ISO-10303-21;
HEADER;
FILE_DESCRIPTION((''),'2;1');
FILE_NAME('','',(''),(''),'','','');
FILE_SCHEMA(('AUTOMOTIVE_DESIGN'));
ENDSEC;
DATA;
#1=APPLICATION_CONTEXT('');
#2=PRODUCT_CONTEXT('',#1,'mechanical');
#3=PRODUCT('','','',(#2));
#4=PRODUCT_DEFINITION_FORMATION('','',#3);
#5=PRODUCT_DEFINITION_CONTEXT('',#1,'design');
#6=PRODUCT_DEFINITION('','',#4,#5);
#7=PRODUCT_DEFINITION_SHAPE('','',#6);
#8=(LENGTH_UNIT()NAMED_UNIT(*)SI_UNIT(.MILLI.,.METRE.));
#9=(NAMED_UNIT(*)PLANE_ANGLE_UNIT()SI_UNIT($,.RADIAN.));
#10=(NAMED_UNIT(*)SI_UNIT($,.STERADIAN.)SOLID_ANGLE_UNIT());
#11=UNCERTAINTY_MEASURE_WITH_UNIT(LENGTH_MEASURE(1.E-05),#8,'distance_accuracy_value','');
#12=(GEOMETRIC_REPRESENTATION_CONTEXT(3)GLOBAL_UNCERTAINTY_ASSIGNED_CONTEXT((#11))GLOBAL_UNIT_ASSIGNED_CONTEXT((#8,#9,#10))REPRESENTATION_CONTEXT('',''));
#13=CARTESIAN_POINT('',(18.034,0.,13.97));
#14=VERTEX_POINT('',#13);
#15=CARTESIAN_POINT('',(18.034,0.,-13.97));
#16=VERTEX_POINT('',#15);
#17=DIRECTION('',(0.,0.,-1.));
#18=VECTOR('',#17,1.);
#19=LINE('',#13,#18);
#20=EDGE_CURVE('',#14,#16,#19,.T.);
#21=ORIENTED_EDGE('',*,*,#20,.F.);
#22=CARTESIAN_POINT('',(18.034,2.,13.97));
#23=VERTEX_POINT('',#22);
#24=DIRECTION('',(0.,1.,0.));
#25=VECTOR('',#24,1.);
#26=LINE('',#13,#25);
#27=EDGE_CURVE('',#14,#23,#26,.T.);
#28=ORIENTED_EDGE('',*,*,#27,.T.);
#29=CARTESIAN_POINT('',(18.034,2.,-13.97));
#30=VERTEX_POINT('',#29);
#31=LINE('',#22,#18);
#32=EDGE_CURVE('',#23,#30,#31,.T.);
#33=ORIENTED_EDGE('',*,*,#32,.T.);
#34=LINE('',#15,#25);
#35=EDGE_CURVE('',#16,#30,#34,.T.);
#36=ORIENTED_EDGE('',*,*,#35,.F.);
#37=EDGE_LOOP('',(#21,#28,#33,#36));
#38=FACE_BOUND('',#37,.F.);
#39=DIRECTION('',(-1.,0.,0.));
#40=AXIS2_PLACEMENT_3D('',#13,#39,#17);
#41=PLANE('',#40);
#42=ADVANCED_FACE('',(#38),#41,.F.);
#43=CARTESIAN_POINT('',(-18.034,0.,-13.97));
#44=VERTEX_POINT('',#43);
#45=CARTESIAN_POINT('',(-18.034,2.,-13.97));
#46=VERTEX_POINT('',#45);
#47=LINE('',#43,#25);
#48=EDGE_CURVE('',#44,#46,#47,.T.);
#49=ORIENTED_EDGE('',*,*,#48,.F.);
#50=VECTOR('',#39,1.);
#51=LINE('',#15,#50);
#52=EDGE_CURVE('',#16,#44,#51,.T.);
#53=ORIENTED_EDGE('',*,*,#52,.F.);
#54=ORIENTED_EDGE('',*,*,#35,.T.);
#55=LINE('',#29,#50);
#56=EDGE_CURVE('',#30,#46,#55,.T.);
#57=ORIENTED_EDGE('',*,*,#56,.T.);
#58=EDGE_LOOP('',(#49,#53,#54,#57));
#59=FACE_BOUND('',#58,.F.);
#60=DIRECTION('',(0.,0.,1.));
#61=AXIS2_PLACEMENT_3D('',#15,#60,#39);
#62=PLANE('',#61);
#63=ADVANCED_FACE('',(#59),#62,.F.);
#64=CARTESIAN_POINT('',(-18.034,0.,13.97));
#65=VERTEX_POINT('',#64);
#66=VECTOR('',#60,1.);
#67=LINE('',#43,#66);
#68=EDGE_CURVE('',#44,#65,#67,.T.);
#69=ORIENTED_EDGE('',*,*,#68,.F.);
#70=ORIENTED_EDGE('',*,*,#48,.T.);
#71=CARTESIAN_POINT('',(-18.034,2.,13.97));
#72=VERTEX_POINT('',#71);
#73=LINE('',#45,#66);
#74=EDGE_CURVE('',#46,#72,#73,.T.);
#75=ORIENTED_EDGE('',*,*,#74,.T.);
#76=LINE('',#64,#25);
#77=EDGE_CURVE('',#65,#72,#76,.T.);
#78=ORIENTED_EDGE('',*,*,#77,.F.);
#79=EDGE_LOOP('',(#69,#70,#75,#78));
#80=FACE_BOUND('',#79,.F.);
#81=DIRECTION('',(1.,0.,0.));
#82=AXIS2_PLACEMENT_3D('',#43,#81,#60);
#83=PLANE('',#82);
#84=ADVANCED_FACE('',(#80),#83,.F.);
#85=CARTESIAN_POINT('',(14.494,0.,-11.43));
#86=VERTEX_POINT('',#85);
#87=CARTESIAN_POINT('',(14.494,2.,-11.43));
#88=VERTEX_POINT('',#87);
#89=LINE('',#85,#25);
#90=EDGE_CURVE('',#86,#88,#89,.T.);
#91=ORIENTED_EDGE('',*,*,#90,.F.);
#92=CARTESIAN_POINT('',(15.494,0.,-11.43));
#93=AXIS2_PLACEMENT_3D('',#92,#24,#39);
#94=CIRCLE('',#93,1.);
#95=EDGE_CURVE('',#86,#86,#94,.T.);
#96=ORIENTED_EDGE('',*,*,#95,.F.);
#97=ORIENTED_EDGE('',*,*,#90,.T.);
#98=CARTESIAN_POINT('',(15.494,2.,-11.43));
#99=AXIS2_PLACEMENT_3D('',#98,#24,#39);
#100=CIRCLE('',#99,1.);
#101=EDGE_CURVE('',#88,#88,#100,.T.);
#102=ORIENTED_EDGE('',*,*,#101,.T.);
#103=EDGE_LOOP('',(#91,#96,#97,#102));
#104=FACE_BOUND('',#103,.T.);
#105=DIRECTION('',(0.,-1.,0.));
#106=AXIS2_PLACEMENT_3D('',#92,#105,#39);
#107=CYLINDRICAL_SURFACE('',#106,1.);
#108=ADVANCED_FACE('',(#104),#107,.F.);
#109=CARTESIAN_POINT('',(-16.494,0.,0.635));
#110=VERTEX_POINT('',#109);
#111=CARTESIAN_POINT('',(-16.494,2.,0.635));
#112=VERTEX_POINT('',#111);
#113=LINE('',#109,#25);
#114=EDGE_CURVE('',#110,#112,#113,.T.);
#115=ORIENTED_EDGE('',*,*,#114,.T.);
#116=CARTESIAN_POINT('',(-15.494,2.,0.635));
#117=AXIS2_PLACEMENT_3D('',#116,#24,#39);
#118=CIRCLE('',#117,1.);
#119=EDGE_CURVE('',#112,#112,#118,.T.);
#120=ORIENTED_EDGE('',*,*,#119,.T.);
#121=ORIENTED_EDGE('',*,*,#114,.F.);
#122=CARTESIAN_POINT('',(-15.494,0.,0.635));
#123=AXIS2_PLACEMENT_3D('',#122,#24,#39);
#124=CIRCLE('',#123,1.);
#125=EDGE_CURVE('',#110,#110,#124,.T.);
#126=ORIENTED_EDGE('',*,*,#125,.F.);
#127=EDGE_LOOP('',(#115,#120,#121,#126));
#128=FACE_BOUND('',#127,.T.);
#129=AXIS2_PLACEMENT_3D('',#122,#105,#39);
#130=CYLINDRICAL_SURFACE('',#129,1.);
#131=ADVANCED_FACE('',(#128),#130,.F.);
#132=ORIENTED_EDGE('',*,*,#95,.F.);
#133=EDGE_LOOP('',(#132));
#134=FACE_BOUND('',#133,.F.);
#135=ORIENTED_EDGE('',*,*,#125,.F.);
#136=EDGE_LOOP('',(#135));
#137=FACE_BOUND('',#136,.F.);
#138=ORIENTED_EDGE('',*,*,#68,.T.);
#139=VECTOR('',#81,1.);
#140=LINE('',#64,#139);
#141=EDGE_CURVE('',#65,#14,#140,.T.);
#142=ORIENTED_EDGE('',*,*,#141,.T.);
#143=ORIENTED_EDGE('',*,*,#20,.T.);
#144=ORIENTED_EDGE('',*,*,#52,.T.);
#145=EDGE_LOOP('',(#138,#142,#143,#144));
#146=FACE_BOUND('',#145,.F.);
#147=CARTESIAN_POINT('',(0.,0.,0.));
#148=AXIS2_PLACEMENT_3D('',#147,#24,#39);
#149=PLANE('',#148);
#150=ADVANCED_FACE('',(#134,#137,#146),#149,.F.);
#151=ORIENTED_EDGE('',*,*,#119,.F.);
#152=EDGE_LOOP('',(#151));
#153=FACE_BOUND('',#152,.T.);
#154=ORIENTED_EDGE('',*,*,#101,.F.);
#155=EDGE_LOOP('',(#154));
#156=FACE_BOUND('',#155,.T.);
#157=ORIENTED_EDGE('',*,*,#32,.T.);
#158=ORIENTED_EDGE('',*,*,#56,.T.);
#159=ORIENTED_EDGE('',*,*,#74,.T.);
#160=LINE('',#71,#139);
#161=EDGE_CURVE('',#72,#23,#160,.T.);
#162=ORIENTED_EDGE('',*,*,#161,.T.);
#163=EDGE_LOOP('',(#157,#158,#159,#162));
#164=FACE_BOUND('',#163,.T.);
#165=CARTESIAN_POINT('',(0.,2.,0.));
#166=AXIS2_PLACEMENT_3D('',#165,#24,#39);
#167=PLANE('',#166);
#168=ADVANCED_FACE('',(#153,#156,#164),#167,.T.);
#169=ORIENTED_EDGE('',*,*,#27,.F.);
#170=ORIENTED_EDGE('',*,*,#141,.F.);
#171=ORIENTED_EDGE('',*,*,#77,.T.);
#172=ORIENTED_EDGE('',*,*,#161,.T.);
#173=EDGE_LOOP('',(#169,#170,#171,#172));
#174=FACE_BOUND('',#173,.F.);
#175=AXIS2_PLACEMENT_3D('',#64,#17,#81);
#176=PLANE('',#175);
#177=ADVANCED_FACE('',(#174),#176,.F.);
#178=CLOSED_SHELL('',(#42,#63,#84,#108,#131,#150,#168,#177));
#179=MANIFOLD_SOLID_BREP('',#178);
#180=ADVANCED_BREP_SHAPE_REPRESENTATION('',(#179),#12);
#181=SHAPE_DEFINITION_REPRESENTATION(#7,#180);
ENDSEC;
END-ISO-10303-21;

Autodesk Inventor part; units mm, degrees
ref_plane "YZ Plane" through (0, 0, 0) normal (1, 0, 0) x (0, 1, 0)
ref_plane "XZ Plane" through (0, 0, 0) normal (0, 1, 0) x (-1, 0, 0)
ref_plane "XY Plane" through (0, 0, 0) normal (0, 0, 1) x (1, 0, 0)
sketch "Sketch1" plane through (0, 0, 0) normal (0, 1, 0) x (-1, 0, 0)
  line L0 (18.034, 13.97) -> (-18.034, 13.97)
  line L1 (-18.034, 13.97) -> (-18.034, -13.97)
  line L2 (-18.034, -13.97) -> (18.034, -13.97)
  line L3 (18.034, -13.97) -> (18.034, 13.97)
  line L4 (18.034, 13.97) -> (-18.034, -13.97) construction
  line L5 (-18.034, 13.97) -> (18.034, -13.97) construction
  circle A0 centre (-15.494, -11.43) radius 1
  circle A1 centre (15.494, 0.635) radius 1
  point P0 (0, 0)
  dimension "d0" = 27.94
  dimension "d1" = 36.068
  dimension "d3" = 2.54
  dimension "d4" = 2.54
  dimension "d5" = 13.335
  dimension "d6" = 2.54
  dimension "d7" = 2
  dimension "d8" = 2
  dimension "d11" = 30.988
  dimension "d12" = 12.065
extrude "Extrusion1" add sketch "Sketch1" along normal blind 2
equation "\"d7\" = d8"
properties part number "maestro_Subs"
